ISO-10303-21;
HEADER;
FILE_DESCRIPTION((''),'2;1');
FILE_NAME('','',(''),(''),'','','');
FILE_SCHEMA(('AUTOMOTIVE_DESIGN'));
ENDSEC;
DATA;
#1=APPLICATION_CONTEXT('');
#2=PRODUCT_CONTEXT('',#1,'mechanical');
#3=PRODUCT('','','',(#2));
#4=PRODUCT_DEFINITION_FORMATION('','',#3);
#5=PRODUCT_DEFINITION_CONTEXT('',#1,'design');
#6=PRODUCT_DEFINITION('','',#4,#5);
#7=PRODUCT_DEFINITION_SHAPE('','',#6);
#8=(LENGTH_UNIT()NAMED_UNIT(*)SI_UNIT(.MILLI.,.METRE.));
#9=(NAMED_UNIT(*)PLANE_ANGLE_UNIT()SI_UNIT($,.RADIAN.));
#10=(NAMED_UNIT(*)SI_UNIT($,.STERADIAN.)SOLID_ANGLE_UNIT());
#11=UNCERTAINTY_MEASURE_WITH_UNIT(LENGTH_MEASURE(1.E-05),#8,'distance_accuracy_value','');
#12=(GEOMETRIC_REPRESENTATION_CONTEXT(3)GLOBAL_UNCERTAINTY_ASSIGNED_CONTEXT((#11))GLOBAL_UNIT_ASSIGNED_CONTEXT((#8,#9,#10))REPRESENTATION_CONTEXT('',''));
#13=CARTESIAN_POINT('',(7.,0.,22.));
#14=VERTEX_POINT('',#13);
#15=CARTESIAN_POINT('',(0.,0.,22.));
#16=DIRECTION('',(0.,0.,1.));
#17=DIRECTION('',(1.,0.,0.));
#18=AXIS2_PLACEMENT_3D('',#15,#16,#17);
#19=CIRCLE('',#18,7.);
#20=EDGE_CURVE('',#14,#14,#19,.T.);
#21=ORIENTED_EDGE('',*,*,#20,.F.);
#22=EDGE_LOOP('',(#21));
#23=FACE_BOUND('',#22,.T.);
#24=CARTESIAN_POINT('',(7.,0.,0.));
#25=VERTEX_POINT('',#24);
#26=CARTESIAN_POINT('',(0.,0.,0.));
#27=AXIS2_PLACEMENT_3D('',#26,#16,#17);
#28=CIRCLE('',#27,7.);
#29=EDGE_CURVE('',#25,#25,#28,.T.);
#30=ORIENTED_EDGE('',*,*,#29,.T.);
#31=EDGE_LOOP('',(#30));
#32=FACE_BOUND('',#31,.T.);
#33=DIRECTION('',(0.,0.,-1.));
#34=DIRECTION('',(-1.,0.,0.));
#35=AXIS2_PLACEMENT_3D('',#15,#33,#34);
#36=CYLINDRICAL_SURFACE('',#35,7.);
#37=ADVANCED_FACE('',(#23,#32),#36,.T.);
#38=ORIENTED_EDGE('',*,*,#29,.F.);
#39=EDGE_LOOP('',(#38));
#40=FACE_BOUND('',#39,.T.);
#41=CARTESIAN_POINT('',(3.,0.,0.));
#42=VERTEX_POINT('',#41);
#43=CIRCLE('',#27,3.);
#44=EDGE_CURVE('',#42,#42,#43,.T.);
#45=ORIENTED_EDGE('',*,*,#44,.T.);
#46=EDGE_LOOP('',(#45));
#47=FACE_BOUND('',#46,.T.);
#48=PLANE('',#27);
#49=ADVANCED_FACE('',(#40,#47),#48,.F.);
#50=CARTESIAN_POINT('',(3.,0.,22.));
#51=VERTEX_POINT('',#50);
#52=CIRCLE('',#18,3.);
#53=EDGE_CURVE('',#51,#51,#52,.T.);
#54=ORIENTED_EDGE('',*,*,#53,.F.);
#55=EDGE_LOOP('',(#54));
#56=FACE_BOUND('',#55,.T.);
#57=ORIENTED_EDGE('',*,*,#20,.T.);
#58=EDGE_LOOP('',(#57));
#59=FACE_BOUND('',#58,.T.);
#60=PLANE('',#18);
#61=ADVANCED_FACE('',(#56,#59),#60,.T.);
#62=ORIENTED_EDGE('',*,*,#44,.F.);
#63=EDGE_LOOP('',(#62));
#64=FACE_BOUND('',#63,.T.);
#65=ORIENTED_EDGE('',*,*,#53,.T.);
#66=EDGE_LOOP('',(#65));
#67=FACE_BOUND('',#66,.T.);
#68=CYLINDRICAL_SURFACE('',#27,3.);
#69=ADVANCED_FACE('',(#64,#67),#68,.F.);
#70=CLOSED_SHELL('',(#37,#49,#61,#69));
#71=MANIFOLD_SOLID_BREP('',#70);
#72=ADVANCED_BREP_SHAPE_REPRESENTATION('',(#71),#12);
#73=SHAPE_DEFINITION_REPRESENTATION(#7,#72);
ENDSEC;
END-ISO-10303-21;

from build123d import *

# Parameters (mm, degrees)
SKETCH_1_R          = 7
EXTRUDE_1_DEPTH     = 22
SKETCH_2_R          = 3
CUT_EXTRUDE_1_DEPTH = 23


with BuildPart() as part:
    # 草图1 → 凸台-拉伸1 (new body)
    with BuildSketch(Plane.XY):
        Circle(SKETCH_1_R)
    extrude(amount=EXTRUDE_1_DEPTH)

    # 草图2 → 切除-拉伸1 (cut, through all)
    with BuildSketch(Plane.XY.offset(22)):
        Circle(SKETCH_2_R)
    extrude(amount=-CUT_EXTRUDE_1_DEPTH, mode=Mode.SUBTRACT)


solid = part.part
